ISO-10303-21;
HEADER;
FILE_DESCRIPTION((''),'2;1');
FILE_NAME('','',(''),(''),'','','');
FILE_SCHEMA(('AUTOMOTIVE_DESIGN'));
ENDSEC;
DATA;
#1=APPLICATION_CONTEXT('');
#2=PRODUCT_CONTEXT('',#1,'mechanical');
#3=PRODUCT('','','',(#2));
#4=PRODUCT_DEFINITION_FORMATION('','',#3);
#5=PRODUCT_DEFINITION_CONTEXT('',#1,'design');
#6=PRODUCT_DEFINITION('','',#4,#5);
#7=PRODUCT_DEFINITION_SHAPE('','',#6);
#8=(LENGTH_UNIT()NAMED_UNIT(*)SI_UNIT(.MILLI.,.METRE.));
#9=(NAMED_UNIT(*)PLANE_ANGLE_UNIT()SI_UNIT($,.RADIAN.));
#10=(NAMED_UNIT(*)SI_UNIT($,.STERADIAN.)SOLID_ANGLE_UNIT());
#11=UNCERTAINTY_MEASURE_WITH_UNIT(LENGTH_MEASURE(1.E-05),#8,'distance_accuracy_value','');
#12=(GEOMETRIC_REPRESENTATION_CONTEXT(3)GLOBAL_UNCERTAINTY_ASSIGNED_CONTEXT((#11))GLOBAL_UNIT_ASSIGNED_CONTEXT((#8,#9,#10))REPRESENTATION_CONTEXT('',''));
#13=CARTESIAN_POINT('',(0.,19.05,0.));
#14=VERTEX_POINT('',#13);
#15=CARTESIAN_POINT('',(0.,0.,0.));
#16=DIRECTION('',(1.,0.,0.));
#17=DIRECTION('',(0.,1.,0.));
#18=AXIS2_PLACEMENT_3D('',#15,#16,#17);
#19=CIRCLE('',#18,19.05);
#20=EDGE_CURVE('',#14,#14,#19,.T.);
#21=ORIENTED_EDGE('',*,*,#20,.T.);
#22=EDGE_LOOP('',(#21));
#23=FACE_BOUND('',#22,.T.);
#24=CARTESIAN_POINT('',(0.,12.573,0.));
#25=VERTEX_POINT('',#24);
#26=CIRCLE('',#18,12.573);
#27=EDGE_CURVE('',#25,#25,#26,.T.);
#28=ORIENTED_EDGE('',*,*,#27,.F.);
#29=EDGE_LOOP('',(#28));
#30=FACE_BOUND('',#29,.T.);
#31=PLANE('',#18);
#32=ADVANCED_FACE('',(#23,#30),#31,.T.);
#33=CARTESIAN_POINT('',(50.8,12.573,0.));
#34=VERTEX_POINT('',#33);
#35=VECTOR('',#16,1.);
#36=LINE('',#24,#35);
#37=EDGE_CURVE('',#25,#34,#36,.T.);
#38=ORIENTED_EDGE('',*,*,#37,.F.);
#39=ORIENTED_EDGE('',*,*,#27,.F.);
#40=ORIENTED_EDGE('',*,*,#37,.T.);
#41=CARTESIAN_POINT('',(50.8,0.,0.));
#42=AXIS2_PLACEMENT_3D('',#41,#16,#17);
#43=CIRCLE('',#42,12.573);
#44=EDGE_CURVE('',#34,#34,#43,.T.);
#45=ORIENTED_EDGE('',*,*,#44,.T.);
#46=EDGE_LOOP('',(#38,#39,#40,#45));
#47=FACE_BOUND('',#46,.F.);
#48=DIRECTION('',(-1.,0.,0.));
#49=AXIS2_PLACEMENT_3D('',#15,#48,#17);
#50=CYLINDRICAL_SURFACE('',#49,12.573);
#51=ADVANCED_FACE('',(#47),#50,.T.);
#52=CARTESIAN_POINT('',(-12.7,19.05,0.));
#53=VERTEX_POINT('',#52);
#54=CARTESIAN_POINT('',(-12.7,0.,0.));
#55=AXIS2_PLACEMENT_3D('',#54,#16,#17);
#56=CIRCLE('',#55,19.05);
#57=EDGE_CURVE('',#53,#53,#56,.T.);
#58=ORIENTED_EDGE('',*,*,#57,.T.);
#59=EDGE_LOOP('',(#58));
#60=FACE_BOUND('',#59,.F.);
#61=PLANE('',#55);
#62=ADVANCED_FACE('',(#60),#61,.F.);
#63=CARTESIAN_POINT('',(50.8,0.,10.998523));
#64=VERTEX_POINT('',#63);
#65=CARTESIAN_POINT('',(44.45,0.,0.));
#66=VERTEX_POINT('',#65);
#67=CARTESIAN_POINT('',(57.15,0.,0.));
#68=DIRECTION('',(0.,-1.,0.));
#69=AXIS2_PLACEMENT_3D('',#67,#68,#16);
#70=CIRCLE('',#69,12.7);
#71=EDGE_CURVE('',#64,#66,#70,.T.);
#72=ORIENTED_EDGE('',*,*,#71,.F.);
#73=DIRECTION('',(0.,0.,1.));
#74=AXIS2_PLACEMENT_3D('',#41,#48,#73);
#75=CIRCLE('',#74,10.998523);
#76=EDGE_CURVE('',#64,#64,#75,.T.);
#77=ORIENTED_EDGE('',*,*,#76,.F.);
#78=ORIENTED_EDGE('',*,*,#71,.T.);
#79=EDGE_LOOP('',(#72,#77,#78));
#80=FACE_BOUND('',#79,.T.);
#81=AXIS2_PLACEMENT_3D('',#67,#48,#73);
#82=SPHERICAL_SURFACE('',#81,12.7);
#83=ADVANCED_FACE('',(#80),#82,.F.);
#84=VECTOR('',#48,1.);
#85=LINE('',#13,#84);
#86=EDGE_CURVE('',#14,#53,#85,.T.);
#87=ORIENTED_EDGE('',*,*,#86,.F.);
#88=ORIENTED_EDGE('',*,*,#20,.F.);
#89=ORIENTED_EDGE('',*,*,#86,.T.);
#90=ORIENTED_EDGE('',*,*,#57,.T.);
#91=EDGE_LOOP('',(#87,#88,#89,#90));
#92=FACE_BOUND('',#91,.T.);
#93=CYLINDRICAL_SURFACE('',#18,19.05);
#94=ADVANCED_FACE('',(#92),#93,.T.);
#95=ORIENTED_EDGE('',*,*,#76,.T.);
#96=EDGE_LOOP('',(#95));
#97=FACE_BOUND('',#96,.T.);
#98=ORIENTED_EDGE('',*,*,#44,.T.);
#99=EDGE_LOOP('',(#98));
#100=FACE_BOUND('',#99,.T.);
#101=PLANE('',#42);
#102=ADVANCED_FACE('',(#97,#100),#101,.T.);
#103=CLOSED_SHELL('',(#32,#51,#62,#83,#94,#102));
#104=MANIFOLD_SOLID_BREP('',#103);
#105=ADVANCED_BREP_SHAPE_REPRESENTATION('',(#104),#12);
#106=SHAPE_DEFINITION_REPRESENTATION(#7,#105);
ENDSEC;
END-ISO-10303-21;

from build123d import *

# Parameters (mm, degrees)
F0_R     = 19.05
F1_DEPTH = 12.7
F2_R     = 12.573
F3_DEPTH = 50.8


with BuildPart() as f1:
    # F0 (on Right) → F1 (new body)
    with BuildSketch(Plane.YZ):
        Circle(F0_R)
    extrude(amount=-F1_DEPTH)

    # F2 (on Right) → F3 (join)
    with BuildSketch(Plane.YZ):
        Circle(F2_R)
    extrude(amount=F3_DEPTH)

    # F4 (on Front) → F5 (revolve, cut)
    with BuildSketch(Plane.XZ):
        with BuildLine():
            ThreePointArc((69.85, 0), (57.15, 12.7), (44.45, 0))
            Line((44.45, 0), (69.85, 0))
        make_face()
    revolve(axis=Axis((65.702231, 0, 0), (1, 0, 0)), mode=Mode.SUBTRACT)


solid = f1.part
